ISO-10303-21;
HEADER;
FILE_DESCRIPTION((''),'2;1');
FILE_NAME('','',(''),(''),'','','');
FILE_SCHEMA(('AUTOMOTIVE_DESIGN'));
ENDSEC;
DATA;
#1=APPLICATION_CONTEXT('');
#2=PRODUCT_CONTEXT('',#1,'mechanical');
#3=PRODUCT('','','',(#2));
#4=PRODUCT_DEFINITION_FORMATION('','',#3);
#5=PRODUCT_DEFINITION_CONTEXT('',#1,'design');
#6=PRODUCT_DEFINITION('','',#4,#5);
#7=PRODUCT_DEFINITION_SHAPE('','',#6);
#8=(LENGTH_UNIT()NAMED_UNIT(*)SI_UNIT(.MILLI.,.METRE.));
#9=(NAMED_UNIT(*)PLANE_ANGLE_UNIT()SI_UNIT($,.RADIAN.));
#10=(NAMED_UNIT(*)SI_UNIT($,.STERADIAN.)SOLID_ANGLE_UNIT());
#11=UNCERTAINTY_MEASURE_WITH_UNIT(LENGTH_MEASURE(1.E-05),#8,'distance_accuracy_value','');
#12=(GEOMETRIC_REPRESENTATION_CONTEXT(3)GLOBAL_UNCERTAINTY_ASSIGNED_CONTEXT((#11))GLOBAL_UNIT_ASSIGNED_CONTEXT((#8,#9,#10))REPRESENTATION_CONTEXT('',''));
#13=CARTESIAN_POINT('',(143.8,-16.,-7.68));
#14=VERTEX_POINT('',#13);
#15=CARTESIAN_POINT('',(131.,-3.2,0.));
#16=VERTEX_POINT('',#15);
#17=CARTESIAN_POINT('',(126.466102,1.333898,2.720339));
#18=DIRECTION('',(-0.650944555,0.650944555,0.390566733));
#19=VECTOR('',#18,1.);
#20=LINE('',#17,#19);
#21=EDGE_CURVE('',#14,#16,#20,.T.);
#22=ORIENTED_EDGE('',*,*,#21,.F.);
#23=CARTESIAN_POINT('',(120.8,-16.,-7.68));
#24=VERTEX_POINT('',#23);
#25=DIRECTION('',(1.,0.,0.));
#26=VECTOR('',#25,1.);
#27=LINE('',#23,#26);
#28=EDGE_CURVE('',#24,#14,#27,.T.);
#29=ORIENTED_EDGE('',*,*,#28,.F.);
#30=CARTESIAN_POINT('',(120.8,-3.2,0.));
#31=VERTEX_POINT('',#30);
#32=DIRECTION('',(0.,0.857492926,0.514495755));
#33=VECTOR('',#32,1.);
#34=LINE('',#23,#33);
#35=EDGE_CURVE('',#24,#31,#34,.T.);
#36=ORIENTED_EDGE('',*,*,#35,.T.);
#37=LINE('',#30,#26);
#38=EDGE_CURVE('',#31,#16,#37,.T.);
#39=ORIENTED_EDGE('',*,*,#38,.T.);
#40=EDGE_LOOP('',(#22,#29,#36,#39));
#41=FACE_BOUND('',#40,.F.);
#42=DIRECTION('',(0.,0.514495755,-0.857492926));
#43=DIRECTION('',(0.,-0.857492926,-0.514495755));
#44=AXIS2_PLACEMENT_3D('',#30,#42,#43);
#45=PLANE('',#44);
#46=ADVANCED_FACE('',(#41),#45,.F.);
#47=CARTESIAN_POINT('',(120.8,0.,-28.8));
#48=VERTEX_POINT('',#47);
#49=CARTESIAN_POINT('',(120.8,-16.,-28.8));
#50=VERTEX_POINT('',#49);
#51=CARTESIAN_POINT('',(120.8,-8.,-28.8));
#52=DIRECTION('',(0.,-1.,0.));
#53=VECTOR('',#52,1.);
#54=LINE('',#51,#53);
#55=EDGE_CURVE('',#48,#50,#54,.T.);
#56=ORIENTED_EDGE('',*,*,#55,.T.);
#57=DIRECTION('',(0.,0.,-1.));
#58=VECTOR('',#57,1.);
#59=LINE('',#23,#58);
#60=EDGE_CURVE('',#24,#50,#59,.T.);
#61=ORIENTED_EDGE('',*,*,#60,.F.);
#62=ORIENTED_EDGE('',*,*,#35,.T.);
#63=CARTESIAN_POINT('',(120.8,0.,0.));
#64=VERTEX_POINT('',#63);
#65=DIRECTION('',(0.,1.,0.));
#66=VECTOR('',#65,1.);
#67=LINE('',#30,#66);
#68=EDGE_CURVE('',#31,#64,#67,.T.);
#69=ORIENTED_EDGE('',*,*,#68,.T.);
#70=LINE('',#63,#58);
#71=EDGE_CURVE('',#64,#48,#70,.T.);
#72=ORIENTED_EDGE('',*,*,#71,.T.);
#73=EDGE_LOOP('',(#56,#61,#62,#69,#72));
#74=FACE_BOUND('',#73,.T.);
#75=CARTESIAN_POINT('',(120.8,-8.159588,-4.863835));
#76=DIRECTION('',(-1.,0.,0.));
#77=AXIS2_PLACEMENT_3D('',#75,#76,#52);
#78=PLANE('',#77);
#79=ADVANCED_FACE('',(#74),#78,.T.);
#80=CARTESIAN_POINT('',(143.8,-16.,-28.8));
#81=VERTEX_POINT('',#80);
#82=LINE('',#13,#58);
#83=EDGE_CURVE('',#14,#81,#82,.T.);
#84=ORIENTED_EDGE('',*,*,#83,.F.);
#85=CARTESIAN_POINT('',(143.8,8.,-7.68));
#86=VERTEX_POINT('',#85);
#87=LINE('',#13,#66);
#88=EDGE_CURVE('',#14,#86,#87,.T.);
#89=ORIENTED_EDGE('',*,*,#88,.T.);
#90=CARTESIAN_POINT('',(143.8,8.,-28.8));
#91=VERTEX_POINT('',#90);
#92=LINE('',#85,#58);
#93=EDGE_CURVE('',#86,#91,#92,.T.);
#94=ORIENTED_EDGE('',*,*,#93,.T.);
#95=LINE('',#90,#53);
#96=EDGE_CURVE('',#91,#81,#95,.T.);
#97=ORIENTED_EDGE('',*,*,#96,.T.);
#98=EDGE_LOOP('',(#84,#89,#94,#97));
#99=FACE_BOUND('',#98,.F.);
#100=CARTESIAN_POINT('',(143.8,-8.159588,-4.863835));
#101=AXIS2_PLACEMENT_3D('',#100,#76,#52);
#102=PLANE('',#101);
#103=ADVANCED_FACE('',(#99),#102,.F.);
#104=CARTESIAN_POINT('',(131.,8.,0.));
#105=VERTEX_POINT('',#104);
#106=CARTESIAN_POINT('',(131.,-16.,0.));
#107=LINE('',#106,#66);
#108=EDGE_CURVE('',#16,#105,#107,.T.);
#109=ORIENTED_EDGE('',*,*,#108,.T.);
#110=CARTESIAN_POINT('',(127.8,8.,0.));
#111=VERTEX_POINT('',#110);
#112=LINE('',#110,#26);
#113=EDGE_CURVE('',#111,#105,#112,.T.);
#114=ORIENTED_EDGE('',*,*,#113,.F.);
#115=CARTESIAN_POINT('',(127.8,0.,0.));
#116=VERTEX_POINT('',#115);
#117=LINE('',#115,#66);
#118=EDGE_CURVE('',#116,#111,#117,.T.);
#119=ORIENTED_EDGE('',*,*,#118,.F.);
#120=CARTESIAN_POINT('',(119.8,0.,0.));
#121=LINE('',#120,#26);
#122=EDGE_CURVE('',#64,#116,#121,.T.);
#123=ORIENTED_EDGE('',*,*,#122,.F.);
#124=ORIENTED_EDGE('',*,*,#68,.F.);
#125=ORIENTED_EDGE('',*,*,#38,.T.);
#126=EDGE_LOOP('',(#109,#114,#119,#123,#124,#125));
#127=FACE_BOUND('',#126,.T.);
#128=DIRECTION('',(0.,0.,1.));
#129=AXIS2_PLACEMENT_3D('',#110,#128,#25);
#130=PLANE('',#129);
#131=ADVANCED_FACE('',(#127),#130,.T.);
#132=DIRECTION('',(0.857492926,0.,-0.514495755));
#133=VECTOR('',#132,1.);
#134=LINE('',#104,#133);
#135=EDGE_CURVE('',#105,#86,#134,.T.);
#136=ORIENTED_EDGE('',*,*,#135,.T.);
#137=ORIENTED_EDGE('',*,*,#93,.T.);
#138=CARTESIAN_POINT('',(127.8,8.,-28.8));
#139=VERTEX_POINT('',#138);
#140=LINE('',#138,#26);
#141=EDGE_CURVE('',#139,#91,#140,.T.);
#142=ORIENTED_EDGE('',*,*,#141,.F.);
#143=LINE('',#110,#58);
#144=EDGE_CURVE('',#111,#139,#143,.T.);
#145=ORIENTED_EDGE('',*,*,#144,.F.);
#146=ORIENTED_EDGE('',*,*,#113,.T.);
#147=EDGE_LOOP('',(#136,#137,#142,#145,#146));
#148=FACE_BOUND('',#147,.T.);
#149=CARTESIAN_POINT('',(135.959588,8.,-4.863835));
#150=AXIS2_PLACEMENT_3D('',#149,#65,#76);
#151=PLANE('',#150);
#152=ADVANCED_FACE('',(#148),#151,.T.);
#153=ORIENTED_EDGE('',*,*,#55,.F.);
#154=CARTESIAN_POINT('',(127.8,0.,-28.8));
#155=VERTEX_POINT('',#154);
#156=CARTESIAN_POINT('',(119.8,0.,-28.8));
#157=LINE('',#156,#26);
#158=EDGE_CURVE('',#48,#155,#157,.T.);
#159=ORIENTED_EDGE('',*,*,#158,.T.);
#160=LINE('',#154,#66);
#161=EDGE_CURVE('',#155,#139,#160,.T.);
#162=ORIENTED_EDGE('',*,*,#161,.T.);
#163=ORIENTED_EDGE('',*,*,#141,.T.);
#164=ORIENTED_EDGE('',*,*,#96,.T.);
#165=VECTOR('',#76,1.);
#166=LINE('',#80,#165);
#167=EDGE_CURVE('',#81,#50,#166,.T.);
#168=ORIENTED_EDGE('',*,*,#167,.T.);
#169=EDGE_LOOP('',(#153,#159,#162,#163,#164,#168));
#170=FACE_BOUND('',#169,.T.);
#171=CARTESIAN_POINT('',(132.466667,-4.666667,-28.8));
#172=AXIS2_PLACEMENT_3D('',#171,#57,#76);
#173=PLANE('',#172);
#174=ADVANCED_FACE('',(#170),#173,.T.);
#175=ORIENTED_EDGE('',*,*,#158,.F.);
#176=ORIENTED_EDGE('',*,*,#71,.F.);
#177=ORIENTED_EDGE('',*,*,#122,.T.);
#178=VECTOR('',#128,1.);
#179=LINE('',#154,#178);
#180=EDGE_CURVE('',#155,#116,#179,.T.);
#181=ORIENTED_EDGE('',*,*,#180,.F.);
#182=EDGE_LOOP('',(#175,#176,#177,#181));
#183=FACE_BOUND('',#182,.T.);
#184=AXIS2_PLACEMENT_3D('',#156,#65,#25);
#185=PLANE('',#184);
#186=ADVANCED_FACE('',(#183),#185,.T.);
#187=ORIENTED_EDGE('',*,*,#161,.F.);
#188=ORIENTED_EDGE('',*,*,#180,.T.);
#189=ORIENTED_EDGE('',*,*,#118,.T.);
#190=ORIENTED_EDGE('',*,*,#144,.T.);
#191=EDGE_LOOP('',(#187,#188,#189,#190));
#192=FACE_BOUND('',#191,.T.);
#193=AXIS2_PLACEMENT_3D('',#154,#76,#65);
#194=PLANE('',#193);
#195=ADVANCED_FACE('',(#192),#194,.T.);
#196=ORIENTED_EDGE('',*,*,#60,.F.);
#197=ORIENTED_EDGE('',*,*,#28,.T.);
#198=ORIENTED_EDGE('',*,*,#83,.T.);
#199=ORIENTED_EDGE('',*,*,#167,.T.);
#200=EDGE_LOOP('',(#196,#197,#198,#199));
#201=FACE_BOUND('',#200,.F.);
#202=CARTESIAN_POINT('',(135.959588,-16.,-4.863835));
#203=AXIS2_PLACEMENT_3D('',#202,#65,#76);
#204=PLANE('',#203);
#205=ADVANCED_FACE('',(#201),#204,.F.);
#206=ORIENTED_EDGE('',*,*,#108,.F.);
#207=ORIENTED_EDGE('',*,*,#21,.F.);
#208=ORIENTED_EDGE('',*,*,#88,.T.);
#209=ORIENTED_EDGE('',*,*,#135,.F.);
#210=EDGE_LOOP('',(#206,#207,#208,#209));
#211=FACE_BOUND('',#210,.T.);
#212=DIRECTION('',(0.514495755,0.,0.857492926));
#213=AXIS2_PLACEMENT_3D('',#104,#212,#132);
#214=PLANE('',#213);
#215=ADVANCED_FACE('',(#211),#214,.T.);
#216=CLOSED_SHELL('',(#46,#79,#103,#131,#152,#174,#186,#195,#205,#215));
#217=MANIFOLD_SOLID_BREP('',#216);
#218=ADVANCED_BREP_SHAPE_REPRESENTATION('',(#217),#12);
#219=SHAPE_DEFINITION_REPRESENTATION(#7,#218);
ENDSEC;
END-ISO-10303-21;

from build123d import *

# Parameters (mm, degrees)
PAD009_DEPTH    = 28.8
POCKET005_DEPTH = 24
POCKET006_DEPTH = 24
SKETCH111_W     = 1
SKETCH111_H     = 16
POCKET027_DEPTH = 30
PAD132_DEPTH    = 24
PAD133_DEPTH    = 23
POCKET054_DEPTH = 30
POCKET055_DEPTH = 26


with BuildPart() as part:
    # Sketch014 (on Face52 of Binder005) → Pad009 (new body)
    with BuildSketch(Plane.XY.offset(-28.8)):
        Polygon((127.8, 0), (127.8, 8), (143.8, 8), (143.8, -16), (119.8, -16), (119.8, 0), align=None)
    extrude(amount=PAD009_DEPTH)

    # Sketch015 (on Face5 of Pad009) → Pocket005 (cut)
    with BuildSketch(Plane(origin=(119.8, 0, 0), x_dir=(0, -1, 0), z_dir=(-1, 0, 0))):
        Polygon((16, -9.6), (0, 0), (16, 0), align=None)
    extrude(amount=-POCKET005_DEPTH, mode=Mode.SUBTRACT)

    # Sketch016 (on Face3 of Pocket005) → Pocket006 (cut)
    with BuildSketch(Plane(origin=(0, 8, 0), x_dir=(-1, 0, 0), z_dir=(0, 1, 0))):
        Polygon((-143.8, -9.6), (-127.8, 0), (-143.8, 0), align=None)
    extrude(amount=-POCKET006_DEPTH, mode=Mode.SUBTRACT)

    # Sketch111 (on Face4 of Pocket006) → Pocket027 (cut)
    with BuildSketch(Plane(origin=(0, 0, -28.8), x_dir=(1, 0, 0), z_dir=(0, 0, -1))):
        with Locations((120.3, 8)):
            Rectangle(SKETCH111_W, SKETCH111_H)
    extrude(amount=-POCKET027_DEPTH, mode=Mode.SUBTRACT)

    # Sketch132 (on Face3 of Pocket027) → Pad132 (join)
    with BuildSketch(Plane(origin=(0, 8, 0), x_dir=(-1, 0, 0), z_dir=(0, 1, 0))):
        Polygon((-127.8, 0), (-131, 0), (-143.8, -7.68), (-143.8, -10.88), (-131, -3.2), (-127.8, -3.2), align=None)
    extrude(amount=-PAD132_DEPTH)

    # Sketch133 → Pad133 (join)
    with BuildSketch(Plane(origin=(120.8, 0, 0), x_dir=(0, -1, 0), z_dir=(-1, 0, 0))):
        Polygon((0, 0), (0, -3.2), (3.2, -3.2), (16, -10.88), (16, -7.68), (3.2, 0), align=None)
    extrude(amount=-PAD133_DEPTH)

    # Sketch168 (on Face3 of Pad133) → Pocket054 (cut)
    with BuildSketch(Plane(origin=(0, 8, 0), x_dir=(-1, 0, 0), z_dir=(0, 1, 0))):
        Polygon((-131, 0), (-143.8, -7.68), (-143.8, 0), align=None)
    extrude(amount=-POCKET054_DEPTH, mode=Mode.SUBTRACT)

    # Sketch169 (on Face6 of Pocket054) → Pocket055 (cut)
    with BuildSketch(Plane(origin=(120.8, 0, 0), x_dir=(0, -1, 0), z_dir=(-1, 0, 0))):
        Polygon((3.2, 0), (16, -7.68), (16, 0), align=None)
    extrude(amount=-POCKET055_DEPTH, mode=Mode.SUBTRACT)


solid = part.part
